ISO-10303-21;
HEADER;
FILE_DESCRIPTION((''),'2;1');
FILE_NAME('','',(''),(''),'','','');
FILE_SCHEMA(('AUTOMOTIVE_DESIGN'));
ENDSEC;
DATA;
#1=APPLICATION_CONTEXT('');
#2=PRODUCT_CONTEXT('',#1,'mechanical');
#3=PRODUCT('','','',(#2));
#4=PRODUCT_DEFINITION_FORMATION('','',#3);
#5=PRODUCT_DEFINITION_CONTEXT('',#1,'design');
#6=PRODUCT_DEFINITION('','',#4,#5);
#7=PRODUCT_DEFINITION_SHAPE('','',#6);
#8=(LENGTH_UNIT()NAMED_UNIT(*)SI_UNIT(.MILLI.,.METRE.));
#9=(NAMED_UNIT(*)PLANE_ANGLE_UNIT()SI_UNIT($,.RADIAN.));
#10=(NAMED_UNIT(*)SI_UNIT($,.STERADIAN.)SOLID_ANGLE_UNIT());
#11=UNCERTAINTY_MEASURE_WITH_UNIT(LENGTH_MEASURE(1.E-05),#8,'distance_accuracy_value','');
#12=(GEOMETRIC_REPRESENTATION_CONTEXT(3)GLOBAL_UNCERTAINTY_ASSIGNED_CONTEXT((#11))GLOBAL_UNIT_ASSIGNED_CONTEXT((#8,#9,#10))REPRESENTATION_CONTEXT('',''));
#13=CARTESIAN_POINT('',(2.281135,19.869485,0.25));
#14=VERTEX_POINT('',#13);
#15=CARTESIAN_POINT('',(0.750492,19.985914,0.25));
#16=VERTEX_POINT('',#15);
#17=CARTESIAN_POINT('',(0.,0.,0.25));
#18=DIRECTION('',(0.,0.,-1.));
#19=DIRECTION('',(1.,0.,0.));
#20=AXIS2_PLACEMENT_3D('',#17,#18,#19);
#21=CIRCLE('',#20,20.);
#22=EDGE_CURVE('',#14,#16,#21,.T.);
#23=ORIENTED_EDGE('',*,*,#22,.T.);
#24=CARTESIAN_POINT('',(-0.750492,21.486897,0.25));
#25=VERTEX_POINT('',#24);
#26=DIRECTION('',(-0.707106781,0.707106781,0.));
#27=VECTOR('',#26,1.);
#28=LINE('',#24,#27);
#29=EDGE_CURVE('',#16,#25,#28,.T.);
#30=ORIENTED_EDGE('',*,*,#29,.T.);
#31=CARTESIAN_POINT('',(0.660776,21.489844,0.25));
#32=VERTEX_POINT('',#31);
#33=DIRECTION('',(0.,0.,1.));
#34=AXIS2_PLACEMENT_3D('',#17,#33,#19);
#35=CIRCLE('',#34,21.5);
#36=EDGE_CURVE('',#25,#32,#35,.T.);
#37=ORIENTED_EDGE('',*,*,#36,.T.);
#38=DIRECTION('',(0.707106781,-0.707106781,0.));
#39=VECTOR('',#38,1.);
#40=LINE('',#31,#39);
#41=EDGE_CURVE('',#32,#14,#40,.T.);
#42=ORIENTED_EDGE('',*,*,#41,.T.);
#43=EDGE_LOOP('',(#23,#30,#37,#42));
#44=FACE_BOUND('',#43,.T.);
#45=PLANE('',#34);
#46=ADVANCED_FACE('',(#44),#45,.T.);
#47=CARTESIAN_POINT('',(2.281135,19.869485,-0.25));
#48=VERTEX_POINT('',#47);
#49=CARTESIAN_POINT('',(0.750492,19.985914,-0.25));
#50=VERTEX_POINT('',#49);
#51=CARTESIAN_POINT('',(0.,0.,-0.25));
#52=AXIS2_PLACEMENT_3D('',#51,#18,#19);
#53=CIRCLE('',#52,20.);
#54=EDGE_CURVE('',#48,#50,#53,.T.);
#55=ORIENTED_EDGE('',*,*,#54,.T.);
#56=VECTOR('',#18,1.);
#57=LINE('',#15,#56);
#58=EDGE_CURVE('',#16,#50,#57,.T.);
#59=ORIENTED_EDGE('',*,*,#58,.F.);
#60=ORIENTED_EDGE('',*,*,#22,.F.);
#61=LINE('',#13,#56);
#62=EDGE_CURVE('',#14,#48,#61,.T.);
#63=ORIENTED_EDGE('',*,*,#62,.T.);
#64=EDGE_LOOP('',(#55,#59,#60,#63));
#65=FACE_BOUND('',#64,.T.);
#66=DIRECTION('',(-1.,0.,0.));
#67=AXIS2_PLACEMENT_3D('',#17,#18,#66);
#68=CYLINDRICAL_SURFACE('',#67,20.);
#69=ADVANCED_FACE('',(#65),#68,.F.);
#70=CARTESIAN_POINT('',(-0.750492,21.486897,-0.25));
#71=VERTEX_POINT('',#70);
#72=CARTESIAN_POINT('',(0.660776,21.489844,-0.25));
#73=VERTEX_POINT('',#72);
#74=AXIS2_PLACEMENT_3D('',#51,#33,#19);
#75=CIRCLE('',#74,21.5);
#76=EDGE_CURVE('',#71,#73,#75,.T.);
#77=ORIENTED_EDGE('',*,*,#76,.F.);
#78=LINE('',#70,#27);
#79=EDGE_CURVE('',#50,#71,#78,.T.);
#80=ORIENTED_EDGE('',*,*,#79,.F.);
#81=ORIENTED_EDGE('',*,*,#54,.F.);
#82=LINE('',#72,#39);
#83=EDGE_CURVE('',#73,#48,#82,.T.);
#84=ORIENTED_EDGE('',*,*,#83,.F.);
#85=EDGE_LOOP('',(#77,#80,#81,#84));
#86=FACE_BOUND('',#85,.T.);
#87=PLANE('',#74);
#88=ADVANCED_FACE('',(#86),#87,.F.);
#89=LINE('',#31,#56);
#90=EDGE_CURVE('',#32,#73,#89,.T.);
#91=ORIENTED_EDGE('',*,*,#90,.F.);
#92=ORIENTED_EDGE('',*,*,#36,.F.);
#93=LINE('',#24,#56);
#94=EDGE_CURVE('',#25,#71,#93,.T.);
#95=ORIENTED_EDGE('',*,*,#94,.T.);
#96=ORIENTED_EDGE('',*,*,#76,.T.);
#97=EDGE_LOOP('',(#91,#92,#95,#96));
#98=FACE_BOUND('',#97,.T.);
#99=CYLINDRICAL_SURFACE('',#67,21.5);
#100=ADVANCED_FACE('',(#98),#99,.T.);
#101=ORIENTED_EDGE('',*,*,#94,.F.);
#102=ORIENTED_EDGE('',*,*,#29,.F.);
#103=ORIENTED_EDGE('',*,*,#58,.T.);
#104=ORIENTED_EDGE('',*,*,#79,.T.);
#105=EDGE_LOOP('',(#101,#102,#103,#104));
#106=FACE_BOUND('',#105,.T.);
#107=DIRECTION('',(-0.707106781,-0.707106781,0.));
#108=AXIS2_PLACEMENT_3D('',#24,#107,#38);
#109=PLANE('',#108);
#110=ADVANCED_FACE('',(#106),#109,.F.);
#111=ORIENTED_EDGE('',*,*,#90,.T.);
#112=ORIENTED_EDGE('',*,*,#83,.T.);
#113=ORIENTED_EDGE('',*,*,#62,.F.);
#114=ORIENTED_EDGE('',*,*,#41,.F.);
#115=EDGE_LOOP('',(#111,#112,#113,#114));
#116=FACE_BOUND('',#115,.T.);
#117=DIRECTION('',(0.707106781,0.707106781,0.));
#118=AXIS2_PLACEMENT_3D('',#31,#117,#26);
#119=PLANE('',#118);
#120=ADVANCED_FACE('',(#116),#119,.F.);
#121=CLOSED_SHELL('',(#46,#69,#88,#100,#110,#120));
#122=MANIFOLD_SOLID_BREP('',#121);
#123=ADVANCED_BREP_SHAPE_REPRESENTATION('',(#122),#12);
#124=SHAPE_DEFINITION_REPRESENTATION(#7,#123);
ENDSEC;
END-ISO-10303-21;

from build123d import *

# Parameters (mm, degrees)
BOSS_EXTRUDE1_DEPTH = 0.25


with BuildPart() as part:
    # Sketch1 → Boss-Extrude1 (new, symmetric)
    with BuildSketch(Plane.XY):
        with BuildLine():
            Line((0.660775798, 21.489843539), (2.281134566, 19.869484772))
            ThreePointArc((2.281134566, 19.869484772), (-1.516930575, -19.942390068), (0.75049168, 19.985914096))
            Line((0.75049168, 19.985914096), (-0.75049168, 21.486897455))
            ThreePointArc((-0.75049168, 21.486897455), (0.04488212, -21.499953153), (0.660775798, 21.489843539))
        make_face()
    extrude(amount=BOSS_EXTRUDE1_DEPTH, both=True)


solid = part.part
